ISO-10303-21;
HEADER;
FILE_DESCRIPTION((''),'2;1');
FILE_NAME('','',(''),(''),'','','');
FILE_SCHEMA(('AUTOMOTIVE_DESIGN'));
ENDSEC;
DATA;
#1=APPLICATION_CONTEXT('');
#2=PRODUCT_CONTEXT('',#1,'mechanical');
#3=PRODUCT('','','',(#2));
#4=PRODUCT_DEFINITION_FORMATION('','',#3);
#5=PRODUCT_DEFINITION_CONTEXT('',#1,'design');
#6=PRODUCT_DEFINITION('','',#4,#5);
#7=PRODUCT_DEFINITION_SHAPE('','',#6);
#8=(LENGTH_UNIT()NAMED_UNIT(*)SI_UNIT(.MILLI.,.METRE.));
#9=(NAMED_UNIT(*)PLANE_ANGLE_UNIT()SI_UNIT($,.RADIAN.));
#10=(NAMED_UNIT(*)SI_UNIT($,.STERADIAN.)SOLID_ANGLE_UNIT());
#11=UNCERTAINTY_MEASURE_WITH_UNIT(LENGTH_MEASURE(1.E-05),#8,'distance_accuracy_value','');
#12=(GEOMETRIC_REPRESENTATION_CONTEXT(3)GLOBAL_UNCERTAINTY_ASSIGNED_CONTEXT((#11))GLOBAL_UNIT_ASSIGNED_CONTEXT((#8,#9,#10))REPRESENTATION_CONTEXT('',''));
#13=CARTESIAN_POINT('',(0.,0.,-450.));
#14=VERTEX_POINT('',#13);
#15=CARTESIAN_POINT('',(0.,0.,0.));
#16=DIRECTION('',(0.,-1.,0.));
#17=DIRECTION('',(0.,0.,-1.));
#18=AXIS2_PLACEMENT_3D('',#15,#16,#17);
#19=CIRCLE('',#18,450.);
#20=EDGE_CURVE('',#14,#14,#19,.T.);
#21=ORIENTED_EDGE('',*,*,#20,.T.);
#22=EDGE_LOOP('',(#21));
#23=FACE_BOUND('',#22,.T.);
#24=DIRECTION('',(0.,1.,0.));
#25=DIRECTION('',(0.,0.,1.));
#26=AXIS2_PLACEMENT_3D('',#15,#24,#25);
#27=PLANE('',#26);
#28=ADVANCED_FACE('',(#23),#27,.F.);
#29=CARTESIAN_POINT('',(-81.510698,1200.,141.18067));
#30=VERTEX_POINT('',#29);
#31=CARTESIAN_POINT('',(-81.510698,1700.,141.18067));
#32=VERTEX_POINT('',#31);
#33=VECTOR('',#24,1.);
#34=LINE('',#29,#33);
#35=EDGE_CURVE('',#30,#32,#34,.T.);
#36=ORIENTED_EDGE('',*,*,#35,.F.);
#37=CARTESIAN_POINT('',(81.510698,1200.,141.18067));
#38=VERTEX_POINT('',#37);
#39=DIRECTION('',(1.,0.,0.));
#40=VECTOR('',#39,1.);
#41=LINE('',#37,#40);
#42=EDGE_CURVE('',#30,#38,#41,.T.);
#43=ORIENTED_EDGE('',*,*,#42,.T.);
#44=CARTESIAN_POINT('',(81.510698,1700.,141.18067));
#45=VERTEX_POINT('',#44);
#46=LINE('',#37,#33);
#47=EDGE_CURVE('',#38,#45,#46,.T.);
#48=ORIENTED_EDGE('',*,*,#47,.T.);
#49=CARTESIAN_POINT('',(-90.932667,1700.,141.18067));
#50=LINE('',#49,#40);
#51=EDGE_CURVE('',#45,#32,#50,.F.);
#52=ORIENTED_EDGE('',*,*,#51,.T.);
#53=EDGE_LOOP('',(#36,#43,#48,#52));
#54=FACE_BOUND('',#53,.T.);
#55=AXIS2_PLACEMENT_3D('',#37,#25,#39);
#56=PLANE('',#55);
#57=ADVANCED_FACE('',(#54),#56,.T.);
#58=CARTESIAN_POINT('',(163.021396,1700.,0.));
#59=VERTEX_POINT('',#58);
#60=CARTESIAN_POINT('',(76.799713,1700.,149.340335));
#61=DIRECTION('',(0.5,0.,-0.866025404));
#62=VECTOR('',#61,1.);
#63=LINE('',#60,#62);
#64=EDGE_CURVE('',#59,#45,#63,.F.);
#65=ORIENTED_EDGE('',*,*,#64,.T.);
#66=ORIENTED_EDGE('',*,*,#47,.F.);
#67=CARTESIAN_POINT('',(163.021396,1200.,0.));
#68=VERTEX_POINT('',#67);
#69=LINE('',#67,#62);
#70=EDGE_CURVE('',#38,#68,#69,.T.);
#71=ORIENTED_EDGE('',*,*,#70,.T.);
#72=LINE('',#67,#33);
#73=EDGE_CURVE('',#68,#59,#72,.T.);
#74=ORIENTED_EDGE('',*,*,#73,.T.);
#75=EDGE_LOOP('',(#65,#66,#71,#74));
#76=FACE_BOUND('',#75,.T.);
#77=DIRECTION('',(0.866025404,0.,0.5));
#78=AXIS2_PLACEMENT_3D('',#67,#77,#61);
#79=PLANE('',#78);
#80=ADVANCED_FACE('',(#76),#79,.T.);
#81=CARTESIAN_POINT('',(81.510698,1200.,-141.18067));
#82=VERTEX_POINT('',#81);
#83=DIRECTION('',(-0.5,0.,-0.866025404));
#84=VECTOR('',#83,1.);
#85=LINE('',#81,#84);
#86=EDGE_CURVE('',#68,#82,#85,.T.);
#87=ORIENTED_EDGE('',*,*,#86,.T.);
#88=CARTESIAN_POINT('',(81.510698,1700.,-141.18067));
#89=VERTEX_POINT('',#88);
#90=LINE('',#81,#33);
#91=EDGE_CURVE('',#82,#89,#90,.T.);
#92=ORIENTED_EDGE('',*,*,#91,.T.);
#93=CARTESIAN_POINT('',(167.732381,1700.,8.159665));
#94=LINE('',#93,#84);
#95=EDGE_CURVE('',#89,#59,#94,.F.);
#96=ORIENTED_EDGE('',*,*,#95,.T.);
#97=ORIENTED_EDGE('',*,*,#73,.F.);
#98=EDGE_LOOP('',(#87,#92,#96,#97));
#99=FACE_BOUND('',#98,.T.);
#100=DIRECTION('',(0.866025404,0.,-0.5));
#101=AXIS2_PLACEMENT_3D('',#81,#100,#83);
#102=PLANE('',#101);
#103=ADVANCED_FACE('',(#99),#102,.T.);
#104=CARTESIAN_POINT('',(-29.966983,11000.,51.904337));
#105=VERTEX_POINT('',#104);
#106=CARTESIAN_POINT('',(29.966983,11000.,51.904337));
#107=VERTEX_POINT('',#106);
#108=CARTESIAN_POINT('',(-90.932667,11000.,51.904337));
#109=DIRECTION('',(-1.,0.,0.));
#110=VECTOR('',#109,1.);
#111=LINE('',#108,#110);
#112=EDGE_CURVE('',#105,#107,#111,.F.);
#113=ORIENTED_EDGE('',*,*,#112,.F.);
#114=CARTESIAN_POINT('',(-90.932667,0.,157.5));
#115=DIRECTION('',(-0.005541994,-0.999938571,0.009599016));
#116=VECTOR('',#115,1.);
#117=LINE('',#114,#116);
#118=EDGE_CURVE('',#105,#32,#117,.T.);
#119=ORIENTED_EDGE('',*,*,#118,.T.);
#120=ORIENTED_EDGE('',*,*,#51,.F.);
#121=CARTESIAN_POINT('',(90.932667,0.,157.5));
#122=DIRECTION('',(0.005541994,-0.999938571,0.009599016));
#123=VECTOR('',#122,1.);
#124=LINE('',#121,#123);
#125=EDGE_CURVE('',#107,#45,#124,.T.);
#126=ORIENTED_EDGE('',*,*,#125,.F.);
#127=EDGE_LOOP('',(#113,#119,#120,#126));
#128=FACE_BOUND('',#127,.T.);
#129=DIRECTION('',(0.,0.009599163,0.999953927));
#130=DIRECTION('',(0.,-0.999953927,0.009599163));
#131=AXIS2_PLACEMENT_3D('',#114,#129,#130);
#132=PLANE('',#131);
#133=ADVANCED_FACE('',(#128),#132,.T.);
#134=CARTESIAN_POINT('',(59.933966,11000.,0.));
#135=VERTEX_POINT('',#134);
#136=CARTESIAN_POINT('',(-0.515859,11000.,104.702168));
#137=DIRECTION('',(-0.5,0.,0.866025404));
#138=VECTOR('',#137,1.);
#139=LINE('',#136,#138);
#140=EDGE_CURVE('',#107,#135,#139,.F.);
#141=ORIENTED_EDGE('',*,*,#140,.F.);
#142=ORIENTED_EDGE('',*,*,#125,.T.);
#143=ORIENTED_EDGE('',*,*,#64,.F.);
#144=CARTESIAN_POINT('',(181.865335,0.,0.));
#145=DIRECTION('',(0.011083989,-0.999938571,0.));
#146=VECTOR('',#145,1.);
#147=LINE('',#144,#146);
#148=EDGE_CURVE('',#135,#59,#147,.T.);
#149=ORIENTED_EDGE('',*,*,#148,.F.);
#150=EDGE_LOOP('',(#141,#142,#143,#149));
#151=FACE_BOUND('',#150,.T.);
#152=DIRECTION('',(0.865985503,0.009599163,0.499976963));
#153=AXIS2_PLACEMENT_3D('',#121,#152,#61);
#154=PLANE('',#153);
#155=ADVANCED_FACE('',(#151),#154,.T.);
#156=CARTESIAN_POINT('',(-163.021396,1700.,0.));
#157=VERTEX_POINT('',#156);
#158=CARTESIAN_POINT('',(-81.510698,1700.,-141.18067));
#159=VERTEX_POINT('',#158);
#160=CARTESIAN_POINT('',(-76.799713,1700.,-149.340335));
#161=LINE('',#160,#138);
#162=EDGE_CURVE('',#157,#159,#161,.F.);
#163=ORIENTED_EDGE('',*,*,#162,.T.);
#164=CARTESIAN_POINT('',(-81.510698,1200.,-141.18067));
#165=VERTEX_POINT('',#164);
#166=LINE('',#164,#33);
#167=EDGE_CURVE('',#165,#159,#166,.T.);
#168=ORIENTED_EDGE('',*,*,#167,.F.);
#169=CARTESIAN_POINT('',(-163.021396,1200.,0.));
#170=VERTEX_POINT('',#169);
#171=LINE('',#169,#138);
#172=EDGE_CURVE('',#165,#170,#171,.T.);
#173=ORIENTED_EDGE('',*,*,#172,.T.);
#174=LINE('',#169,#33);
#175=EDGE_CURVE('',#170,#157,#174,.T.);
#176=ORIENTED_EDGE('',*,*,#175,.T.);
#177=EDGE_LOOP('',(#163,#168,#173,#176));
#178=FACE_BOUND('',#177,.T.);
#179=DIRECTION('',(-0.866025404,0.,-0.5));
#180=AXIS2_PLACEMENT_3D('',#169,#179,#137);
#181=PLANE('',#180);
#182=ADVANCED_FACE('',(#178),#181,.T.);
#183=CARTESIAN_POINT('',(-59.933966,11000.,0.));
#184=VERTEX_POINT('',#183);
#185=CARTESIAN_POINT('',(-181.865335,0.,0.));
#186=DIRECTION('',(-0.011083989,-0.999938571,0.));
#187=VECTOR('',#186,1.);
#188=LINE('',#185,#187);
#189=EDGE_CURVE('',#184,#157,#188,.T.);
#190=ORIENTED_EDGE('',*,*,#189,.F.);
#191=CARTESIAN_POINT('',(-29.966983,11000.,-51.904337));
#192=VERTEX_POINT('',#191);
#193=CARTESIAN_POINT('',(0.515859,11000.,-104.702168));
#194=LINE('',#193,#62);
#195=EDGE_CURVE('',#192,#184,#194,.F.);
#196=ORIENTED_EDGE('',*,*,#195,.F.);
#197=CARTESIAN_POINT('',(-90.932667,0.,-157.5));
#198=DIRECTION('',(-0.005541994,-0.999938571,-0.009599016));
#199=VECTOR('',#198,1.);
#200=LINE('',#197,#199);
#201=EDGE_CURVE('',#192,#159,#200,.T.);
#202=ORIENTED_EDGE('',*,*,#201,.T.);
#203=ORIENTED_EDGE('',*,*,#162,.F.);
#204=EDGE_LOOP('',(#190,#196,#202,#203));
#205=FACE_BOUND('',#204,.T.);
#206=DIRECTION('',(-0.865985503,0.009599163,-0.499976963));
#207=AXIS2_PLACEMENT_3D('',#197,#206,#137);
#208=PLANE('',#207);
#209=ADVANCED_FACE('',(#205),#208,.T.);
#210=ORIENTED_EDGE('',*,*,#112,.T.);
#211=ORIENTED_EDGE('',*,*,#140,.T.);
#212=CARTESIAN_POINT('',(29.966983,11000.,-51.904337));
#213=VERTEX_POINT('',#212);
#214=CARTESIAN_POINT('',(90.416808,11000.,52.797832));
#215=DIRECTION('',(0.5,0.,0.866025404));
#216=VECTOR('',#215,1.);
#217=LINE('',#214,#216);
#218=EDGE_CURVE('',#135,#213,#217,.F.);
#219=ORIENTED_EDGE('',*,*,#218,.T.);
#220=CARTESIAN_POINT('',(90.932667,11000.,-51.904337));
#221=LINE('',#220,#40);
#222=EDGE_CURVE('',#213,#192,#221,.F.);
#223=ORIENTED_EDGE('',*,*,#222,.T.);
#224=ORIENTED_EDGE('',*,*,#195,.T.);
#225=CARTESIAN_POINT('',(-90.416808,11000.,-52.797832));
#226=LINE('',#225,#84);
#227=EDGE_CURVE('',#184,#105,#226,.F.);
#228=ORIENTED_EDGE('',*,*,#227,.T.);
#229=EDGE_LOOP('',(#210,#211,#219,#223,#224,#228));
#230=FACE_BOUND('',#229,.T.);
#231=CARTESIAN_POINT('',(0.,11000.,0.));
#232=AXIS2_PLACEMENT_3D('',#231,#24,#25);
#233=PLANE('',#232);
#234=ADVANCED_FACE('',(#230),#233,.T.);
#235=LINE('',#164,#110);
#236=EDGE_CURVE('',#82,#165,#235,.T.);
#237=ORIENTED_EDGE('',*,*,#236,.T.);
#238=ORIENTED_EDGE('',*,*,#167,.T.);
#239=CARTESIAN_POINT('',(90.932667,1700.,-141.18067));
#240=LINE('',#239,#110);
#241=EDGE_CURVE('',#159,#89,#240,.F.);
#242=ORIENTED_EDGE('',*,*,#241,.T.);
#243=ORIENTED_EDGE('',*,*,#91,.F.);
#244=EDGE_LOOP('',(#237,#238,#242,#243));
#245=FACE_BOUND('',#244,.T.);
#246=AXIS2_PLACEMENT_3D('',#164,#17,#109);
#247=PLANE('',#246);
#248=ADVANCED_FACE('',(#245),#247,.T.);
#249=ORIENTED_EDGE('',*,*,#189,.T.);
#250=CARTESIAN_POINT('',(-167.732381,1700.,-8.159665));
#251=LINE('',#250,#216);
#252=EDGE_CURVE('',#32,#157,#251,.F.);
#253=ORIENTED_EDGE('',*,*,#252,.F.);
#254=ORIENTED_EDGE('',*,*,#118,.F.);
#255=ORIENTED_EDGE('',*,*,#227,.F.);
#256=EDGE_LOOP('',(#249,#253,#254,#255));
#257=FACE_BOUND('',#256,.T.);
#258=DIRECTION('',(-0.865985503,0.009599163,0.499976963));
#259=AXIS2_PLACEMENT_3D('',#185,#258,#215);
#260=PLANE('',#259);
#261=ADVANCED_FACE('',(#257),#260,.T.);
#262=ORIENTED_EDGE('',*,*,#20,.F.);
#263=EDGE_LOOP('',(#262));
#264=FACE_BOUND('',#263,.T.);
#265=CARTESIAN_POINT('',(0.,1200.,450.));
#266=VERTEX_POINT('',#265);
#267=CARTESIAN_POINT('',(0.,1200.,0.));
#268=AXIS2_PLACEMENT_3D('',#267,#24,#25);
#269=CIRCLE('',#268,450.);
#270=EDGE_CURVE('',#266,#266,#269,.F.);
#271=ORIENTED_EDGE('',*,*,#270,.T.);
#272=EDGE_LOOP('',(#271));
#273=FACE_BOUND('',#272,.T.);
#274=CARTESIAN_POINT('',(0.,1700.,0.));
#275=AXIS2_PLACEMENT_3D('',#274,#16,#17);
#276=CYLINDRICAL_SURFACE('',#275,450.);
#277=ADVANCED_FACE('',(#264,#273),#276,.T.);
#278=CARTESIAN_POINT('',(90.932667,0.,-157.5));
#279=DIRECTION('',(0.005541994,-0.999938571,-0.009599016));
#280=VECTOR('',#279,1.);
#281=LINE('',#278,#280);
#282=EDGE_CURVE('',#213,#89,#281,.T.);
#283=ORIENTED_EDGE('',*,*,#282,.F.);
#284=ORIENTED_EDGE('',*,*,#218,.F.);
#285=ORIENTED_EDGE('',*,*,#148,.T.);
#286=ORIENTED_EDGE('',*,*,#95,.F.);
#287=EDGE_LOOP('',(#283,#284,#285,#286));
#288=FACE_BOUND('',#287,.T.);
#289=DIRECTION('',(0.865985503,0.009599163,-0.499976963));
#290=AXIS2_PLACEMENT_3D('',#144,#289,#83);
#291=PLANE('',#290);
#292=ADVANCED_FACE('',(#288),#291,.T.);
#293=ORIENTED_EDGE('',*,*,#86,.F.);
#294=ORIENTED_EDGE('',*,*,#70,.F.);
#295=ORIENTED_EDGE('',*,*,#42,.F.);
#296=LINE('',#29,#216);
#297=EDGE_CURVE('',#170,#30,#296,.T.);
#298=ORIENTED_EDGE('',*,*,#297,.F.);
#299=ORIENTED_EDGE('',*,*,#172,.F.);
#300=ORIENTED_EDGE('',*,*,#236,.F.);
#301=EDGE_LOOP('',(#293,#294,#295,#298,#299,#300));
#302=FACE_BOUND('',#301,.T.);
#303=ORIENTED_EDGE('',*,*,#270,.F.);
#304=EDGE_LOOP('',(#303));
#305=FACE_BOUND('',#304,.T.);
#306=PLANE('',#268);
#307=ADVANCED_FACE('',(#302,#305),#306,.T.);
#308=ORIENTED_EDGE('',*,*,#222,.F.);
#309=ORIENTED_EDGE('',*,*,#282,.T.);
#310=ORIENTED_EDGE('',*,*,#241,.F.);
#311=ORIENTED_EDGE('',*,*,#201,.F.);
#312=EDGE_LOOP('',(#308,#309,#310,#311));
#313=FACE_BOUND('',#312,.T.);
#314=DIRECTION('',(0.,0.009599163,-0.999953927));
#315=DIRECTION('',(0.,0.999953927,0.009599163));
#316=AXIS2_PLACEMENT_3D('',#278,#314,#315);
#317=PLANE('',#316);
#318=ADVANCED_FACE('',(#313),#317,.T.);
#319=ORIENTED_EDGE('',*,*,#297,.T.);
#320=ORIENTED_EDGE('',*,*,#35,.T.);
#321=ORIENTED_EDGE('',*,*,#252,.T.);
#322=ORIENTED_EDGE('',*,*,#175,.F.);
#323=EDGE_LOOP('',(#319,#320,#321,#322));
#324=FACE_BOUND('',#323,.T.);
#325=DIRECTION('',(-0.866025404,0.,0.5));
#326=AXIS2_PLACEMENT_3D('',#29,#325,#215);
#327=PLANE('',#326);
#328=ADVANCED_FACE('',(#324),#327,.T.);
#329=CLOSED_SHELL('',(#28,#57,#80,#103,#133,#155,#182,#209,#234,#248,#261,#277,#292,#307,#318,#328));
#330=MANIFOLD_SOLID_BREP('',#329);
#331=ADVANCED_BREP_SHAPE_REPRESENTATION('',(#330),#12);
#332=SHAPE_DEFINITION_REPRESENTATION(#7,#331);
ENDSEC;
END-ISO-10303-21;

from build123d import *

# Parameters (mm, degrees)
SALIENTE_EXTRUIR1_DEPTH = 11000
SALIENTE_EXTRUIR1_TAPER = 0.55
CROQUIS2_R              = 450
SALIENTE_EXTRUIR2_DEPTH = 1700
CROQUIS3_R              = 466.892947344
CORTAR_EXTRUIR1_DEPTH   = 500


with BuildPart() as part:
    # Croquis1 → Saliente-Extruir1 (new body)
    with BuildSketch(Plane(origin=(0, 0, 0), x_dir=(1, 0, 0), z_dir=(0, 1, 0))):
        Polygon((181.865334795, 0), (90.932667397, 157.5), (-90.932667397, 157.5), (-181.865334795, 0), (-90.932667397, -157.5), (90.932667397, -157.5), align=None)
    extrude(amount=SALIENTE_EXTRUIR1_DEPTH, taper=SALIENTE_EXTRUIR1_TAPER)

    # Croquis2 → Saliente-Extruir2 (add)
    with BuildSketch(Plane.XZ):
        Circle(CROQUIS2_R)
    extrude(amount=-SALIENTE_EXTRUIR2_DEPTH)

    # Croquis3 → Cortar-Extruir1 (cut)
    with BuildSketch(Plane(origin=(0, 1700, 0), x_dir=(1, 0, 0), z_dir=(0, 1, 0))):
        Circle(CROQUIS3_R)
        Polygon((163.021395927, 0), (81.510697963, -141.180670233), (-81.510697963, -141.180670233), (-163.021395927, 0), (-81.510697963, 141.180670233), (81.510697963, 141.180670233), align=None, mode=Mode.SUBTRACT)
    extrude(amount=-CORTAR_EXTRUIR1_DEPTH, mode=Mode.SUBTRACT)


solid = part.part
